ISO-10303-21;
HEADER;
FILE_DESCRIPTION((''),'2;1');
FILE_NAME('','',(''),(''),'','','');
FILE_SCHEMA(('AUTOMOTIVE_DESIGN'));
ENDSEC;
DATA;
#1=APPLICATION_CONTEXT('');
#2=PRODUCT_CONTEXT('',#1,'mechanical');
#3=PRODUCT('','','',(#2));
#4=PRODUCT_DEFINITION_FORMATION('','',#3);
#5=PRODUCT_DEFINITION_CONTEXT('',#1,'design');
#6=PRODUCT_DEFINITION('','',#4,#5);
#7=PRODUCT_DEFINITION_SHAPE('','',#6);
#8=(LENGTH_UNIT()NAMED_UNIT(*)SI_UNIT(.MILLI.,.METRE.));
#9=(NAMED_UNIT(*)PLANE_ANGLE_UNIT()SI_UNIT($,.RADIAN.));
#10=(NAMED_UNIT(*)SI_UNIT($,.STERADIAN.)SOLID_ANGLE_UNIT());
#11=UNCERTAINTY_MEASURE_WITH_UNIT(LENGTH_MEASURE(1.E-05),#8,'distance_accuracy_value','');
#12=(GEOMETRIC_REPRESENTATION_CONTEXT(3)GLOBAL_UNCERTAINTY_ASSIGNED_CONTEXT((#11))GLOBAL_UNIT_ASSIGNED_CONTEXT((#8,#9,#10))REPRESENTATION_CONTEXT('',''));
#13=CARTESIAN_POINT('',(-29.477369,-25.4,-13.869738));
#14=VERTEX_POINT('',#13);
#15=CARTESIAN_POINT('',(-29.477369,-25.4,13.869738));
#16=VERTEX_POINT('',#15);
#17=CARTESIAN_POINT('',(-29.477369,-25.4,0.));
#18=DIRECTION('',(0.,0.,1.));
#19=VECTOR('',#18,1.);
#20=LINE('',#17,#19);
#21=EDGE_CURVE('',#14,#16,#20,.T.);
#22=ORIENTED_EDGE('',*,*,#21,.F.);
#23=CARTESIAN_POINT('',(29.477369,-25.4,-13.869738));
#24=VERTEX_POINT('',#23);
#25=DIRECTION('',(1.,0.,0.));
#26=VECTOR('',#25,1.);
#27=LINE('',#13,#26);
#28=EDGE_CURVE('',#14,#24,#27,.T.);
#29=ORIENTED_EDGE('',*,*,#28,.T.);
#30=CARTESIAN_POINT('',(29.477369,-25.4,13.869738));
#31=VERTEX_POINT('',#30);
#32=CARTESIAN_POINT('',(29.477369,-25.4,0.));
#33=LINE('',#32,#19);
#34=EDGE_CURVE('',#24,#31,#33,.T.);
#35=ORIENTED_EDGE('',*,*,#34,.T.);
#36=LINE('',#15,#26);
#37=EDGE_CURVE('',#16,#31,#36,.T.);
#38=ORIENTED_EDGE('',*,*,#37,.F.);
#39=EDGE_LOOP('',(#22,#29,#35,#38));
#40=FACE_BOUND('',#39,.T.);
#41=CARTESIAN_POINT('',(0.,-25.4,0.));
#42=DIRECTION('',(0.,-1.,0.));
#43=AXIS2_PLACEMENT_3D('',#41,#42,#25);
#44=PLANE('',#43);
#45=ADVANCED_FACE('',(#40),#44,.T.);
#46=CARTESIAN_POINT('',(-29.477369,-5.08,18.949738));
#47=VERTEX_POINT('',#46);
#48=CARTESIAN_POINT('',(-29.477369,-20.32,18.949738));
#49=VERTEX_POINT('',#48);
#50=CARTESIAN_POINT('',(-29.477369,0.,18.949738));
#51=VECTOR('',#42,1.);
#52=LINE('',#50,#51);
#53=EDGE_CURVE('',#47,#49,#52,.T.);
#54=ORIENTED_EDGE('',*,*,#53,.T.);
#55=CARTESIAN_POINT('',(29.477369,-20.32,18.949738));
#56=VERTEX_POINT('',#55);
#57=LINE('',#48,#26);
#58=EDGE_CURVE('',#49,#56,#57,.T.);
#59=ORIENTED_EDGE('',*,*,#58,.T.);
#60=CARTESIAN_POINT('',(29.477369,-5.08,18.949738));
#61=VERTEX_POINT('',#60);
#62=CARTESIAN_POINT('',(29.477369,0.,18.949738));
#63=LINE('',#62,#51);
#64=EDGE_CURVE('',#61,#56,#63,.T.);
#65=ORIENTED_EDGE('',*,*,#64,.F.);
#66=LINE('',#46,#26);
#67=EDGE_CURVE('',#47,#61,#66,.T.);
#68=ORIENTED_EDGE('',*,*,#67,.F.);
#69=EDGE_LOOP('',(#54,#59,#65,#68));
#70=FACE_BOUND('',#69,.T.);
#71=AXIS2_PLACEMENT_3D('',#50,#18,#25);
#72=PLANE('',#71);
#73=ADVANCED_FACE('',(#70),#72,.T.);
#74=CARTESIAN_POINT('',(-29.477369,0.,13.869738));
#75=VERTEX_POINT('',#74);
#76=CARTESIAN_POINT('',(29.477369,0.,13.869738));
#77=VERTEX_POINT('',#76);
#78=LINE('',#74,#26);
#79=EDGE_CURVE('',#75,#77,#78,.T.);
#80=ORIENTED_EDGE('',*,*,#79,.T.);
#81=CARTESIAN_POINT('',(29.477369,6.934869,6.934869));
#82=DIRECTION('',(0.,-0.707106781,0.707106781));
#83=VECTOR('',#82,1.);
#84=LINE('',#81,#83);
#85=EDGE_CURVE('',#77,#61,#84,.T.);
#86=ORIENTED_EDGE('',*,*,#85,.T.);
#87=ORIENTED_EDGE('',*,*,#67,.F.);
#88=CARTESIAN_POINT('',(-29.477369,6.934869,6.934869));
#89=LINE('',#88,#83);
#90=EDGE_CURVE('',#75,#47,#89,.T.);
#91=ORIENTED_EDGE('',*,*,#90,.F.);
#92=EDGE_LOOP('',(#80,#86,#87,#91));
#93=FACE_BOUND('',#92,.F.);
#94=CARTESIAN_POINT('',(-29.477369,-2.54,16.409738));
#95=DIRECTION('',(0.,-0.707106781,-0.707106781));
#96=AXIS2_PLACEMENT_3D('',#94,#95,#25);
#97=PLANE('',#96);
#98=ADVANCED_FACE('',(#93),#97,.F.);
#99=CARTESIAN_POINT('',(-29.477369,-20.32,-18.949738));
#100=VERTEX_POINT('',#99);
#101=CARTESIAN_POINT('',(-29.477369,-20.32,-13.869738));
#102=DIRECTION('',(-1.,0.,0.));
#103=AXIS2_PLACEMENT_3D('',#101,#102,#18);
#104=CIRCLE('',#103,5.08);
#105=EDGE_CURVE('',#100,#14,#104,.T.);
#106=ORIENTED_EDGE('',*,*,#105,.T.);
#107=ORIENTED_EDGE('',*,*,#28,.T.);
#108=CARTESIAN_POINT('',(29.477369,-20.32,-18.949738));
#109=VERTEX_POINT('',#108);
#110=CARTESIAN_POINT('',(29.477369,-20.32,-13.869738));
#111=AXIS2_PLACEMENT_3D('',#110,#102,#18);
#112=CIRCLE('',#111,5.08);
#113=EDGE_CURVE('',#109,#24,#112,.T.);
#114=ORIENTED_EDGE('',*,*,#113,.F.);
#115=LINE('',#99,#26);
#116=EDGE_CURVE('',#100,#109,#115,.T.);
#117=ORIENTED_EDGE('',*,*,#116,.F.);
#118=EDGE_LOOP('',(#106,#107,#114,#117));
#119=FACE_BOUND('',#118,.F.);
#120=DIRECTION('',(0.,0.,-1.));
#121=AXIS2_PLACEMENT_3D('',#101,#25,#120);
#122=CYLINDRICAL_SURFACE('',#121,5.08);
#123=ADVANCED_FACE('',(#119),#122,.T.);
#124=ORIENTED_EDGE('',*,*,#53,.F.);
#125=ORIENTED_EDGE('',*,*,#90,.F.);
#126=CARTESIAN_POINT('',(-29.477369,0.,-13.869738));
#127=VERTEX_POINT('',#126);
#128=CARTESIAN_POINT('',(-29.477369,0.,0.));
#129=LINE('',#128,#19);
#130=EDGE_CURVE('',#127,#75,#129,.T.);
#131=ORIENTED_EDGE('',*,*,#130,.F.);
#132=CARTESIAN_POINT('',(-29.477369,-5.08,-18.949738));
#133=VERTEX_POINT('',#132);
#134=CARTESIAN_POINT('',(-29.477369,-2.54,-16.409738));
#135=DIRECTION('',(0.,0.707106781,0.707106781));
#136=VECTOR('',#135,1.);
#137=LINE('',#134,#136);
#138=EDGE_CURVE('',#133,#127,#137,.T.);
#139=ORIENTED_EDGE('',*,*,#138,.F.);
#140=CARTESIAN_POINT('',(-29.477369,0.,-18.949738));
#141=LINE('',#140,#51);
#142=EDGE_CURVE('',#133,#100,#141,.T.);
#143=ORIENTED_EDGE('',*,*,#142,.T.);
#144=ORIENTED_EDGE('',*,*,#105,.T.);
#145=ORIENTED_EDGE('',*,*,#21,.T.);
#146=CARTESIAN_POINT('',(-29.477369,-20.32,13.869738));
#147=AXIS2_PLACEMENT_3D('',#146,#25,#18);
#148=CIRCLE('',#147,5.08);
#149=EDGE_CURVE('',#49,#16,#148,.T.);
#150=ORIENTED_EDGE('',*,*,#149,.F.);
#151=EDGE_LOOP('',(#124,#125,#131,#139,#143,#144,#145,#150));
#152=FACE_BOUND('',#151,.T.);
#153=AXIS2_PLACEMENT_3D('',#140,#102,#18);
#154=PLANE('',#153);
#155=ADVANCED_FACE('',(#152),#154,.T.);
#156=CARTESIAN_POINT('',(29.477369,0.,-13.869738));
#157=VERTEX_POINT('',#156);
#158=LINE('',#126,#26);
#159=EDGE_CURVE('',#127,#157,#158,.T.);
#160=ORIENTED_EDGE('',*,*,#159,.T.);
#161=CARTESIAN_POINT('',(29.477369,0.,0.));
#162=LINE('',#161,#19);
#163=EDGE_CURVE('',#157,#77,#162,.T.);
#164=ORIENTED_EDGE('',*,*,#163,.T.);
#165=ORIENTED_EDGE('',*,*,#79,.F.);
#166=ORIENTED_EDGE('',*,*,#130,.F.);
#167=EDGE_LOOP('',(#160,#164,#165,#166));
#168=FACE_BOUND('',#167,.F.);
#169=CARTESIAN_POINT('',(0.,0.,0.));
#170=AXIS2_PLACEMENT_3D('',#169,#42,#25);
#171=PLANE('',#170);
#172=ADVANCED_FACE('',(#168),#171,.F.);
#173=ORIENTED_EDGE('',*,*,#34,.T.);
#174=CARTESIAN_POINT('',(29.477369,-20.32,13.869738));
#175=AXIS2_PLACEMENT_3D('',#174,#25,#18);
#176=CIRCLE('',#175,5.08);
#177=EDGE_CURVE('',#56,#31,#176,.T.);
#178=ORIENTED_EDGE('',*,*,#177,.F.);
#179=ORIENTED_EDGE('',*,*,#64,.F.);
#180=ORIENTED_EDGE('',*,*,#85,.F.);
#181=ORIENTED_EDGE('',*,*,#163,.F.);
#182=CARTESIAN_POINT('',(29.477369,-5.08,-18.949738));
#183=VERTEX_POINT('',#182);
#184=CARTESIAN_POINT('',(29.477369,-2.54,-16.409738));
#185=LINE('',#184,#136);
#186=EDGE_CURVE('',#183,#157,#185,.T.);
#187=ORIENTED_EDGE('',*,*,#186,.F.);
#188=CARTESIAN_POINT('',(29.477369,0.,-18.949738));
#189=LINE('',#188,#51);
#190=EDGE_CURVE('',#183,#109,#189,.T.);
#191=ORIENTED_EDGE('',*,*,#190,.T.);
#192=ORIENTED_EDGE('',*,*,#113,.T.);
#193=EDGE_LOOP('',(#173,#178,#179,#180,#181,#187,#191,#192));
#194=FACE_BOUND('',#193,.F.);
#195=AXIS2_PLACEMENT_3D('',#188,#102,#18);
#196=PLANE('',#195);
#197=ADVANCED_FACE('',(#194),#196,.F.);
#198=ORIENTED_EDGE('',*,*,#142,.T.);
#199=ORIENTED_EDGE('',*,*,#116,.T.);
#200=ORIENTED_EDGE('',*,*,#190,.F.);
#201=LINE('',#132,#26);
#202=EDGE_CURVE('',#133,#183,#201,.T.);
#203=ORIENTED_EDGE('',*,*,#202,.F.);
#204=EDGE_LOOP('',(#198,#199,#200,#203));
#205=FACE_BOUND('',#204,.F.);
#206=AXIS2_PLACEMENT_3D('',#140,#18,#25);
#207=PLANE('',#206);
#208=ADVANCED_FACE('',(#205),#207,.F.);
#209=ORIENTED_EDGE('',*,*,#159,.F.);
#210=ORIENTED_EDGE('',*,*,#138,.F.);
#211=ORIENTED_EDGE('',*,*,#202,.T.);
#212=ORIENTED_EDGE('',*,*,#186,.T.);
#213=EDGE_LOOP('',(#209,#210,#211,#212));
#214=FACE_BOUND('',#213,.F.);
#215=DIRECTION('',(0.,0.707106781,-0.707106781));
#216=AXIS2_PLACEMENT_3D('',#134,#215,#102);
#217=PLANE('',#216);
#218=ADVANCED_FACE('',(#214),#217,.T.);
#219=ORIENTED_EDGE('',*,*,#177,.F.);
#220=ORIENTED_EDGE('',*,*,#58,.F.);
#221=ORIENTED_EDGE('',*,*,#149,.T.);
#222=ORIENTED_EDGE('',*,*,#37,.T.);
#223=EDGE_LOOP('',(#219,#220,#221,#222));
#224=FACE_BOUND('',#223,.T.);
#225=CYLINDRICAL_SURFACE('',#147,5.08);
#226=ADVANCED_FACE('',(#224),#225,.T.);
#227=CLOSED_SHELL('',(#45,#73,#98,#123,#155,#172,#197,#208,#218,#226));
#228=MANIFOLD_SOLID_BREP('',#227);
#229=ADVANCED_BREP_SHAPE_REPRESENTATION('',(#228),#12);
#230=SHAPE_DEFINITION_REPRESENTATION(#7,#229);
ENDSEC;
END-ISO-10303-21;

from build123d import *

# Parameters (mm, degrees)
F0_W     = 58.954738
F0_H     = 37.899476
F1_DEPTH = 25.4
F2_R     = 5.08
F3_SIZE  = 5.08


with BuildPart() as f1:
    # F0 (on Front) → F1 (new body)
    with BuildSketch(Plane.XZ):
        Rectangle(F0_W, F0_H)
    extrude(amount=F1_DEPTH)

    # F2
    f2_edges = [f1.edges().sort_by_distance(p)[0] for p in [
        (0, -25.4, 18.949738),
        (0, -25.4, -18.949738),
    ]]
    fillet(f2_edges, radius=F2_R)

    # F3
    f3_edges = [f1.edges().sort_by_distance(p)[0] for p in [
        (0, 0, -18.949738),
        (0, 0, 18.949738),
    ]]
    chamfer(f3_edges, length=F3_SIZE)


solid = f1.part
